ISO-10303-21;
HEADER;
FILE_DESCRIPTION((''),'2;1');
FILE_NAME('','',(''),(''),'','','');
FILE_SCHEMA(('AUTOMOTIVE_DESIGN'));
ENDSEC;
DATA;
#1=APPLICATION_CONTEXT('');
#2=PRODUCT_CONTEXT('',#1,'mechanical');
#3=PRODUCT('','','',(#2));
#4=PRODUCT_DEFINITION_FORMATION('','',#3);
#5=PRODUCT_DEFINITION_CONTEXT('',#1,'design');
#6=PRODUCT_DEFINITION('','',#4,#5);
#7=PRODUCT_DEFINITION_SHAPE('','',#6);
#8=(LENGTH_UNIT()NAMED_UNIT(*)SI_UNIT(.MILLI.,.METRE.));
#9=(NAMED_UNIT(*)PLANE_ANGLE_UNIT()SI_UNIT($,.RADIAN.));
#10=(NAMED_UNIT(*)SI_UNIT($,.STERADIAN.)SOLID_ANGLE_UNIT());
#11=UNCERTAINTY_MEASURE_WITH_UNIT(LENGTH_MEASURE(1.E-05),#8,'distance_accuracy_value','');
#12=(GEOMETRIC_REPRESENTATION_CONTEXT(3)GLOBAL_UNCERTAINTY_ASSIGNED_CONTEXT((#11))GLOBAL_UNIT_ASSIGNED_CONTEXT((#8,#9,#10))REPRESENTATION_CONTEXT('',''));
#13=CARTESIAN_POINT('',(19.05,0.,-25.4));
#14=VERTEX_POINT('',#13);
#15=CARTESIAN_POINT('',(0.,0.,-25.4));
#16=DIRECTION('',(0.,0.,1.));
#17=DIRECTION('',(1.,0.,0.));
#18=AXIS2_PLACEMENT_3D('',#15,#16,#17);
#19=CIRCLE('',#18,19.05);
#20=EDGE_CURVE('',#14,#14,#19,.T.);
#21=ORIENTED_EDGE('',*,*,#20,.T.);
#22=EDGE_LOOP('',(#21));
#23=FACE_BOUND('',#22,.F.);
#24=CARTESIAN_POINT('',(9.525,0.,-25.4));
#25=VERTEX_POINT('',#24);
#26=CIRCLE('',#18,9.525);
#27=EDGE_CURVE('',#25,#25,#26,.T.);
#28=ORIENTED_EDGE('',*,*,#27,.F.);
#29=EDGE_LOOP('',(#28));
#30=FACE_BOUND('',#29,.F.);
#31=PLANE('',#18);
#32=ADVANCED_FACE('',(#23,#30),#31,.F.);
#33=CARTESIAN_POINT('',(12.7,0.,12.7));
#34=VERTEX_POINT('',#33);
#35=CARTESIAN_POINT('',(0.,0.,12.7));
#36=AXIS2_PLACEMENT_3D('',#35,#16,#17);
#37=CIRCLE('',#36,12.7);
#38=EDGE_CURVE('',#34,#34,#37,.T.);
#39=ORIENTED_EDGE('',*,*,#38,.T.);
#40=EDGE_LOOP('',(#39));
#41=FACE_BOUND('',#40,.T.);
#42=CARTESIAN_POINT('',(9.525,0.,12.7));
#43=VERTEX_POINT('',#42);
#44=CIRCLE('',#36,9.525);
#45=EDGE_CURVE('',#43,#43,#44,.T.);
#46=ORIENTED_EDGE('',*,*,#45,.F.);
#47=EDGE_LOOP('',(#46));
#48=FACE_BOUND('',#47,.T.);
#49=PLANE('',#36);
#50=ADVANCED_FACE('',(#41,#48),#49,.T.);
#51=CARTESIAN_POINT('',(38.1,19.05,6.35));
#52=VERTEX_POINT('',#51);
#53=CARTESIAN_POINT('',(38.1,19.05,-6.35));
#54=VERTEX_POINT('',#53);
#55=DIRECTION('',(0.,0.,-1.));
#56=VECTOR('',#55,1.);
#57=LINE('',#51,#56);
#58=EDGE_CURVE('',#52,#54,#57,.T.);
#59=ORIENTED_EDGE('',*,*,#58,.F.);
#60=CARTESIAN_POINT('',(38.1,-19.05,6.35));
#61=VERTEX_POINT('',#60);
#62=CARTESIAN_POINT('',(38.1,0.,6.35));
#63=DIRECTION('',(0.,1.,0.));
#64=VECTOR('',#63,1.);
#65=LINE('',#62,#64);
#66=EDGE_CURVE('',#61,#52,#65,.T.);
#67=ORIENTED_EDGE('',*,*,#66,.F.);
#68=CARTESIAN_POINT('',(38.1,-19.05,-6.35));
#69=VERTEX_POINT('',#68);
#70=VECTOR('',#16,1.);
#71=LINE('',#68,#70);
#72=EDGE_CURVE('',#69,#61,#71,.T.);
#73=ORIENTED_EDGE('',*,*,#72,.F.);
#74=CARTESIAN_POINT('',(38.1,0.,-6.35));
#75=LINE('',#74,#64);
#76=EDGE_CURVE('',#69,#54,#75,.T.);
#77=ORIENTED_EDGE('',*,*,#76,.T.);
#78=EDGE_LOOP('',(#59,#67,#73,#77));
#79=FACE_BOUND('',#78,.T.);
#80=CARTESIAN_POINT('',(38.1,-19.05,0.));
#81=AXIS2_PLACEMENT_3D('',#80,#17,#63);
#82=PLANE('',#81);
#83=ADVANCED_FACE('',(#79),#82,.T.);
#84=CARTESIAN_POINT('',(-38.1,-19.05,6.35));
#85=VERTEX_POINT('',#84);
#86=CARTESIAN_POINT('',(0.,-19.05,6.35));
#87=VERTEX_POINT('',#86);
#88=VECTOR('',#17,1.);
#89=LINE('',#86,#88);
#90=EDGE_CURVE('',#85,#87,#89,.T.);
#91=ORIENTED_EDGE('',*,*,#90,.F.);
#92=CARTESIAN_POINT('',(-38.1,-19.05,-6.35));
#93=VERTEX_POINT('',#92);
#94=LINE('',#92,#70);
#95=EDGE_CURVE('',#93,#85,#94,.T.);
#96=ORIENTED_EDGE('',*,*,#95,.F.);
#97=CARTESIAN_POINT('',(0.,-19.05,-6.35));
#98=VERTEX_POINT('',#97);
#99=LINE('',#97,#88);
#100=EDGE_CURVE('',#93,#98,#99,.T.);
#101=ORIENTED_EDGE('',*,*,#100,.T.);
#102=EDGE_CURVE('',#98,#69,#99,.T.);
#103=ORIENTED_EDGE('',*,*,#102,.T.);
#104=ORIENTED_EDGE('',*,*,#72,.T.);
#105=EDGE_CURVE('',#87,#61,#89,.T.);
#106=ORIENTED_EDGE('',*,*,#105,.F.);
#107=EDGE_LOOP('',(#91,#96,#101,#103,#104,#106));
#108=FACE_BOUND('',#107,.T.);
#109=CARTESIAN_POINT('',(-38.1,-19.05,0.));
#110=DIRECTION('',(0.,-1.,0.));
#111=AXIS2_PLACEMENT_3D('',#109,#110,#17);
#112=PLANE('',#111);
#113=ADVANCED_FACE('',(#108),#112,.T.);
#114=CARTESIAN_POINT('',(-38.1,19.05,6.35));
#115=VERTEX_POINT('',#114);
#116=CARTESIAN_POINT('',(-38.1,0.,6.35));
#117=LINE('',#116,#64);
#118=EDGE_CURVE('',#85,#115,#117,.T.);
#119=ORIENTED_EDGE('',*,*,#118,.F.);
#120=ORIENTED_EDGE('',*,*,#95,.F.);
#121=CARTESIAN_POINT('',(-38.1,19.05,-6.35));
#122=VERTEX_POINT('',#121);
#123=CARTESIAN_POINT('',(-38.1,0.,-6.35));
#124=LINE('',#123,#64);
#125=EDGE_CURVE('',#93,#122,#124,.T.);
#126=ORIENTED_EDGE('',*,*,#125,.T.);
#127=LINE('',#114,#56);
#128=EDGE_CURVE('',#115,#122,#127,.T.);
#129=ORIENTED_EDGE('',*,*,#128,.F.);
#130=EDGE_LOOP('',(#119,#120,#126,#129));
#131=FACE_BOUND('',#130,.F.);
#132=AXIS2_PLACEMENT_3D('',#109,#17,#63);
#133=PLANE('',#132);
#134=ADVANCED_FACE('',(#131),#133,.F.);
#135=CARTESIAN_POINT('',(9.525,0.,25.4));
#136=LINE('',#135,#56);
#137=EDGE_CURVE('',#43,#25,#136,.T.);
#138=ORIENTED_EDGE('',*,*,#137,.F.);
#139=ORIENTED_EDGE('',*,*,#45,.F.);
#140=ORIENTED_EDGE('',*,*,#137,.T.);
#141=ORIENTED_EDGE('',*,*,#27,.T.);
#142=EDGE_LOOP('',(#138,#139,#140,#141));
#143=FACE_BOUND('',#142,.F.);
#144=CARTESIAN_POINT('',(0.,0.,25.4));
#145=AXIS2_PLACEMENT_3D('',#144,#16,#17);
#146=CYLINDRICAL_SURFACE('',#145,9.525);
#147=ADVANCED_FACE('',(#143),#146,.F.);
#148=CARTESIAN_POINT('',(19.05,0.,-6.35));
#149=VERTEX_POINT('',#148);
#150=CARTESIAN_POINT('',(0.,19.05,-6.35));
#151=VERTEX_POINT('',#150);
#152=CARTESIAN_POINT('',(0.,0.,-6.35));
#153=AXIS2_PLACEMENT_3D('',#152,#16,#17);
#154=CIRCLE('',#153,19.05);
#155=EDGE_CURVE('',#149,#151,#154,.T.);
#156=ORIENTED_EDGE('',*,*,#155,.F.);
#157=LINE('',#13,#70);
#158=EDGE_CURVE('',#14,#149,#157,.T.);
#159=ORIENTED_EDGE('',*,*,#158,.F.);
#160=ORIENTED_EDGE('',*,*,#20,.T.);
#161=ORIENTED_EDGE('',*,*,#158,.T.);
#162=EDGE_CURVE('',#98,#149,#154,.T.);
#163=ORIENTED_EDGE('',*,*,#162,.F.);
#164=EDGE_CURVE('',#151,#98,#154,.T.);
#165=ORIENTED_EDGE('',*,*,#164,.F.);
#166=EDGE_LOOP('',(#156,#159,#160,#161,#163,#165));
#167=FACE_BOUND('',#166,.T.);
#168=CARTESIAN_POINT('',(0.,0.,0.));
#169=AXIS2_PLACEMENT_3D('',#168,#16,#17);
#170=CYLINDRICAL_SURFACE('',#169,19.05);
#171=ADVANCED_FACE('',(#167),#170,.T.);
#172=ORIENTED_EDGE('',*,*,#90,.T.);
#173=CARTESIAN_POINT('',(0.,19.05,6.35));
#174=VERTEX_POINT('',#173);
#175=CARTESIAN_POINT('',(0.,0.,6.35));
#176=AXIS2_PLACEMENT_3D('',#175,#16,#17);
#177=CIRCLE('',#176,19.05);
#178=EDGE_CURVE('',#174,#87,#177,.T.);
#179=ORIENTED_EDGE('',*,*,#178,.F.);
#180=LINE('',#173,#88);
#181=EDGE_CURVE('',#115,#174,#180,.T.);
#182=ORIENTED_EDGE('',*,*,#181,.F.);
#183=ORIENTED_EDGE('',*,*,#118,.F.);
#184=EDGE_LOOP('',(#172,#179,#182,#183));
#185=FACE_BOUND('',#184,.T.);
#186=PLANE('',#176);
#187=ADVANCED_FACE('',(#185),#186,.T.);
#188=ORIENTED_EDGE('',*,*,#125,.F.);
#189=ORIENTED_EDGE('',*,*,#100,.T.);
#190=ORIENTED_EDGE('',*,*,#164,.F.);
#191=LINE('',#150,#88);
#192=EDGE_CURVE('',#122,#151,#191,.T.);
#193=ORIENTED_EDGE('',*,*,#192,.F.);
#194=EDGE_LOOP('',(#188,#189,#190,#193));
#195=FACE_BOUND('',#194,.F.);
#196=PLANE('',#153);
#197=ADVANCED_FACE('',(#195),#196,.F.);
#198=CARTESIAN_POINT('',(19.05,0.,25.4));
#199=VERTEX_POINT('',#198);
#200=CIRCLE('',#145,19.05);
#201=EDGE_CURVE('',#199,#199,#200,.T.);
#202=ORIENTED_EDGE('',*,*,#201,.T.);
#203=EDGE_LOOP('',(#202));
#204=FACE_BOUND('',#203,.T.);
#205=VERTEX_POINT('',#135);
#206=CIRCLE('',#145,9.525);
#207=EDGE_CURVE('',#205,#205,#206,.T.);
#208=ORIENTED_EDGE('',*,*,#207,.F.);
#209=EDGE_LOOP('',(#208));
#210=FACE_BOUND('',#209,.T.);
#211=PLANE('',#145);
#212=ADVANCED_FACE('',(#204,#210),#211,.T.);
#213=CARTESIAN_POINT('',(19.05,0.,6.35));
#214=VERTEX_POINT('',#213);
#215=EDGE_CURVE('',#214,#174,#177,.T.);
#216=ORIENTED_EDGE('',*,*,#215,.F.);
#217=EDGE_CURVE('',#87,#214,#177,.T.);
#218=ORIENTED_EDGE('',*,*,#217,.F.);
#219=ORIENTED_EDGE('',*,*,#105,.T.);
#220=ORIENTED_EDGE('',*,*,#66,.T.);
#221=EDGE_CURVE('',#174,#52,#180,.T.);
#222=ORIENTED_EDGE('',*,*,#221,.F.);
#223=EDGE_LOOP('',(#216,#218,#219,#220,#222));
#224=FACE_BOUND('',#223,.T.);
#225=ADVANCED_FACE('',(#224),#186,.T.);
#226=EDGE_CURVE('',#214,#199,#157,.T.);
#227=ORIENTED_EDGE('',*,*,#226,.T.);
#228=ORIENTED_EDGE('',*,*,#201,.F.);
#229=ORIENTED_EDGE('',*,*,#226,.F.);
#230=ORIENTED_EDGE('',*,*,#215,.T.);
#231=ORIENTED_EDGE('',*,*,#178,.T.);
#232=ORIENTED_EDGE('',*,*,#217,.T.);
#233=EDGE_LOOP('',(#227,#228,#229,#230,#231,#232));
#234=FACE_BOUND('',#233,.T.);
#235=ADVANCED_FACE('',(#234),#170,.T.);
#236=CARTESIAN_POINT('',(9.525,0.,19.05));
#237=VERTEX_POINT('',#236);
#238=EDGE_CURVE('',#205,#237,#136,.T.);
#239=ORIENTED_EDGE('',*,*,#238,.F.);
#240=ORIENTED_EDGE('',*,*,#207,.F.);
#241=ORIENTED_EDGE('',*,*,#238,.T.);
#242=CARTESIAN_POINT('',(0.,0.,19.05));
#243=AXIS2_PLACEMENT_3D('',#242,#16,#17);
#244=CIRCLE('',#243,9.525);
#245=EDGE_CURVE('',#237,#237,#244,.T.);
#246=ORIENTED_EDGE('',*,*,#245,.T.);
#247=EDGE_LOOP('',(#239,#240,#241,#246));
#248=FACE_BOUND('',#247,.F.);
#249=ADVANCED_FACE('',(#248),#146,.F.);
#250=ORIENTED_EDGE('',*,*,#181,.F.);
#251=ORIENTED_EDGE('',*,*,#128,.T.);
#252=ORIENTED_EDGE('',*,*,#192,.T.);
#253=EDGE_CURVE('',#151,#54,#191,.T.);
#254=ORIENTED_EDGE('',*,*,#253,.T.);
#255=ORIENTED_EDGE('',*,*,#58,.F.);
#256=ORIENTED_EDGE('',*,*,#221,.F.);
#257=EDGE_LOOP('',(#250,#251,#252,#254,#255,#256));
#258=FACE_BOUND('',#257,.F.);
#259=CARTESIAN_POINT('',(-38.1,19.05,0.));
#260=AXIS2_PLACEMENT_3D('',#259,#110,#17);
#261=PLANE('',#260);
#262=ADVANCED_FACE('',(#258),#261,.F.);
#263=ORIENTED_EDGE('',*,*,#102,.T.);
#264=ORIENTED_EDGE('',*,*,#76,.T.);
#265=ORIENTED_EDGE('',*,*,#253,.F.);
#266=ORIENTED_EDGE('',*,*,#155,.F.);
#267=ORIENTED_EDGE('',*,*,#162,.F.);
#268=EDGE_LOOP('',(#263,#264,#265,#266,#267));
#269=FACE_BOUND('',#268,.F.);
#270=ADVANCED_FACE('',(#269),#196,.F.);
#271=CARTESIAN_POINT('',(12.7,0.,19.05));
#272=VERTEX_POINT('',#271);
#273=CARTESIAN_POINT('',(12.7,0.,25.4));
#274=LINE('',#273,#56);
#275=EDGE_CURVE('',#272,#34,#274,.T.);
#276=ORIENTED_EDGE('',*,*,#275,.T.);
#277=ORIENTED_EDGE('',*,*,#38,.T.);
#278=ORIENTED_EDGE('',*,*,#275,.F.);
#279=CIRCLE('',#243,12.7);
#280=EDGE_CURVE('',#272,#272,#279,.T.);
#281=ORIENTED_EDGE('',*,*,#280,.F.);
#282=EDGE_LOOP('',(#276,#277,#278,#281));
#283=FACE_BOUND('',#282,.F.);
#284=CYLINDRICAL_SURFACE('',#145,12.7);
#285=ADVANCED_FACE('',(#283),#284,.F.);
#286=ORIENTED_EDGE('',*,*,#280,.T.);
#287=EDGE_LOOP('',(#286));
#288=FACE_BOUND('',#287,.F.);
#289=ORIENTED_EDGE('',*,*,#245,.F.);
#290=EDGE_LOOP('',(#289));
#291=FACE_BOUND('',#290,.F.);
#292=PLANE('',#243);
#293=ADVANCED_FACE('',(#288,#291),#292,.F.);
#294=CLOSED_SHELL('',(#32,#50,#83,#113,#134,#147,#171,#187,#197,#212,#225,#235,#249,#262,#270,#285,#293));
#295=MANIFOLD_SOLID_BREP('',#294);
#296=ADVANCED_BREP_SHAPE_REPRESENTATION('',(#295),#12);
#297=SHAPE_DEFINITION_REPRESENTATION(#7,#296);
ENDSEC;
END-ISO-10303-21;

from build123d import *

# Parameters (mm, degrees)
F0_W      = 76.2
F0_H      = 38.1
F1_DEPTH  = 6.35
F2_R      = 19.05
F3_DEPTH  = 25.4
F4_R      = 9.525
F5_DEPTH  = 50.801
F6_R      = 12.7
F7_DEPTH  = 12.7
F8_R      = 12.7
F9_DEPTH  = 6.35
F10_R     = 9.525
F11_DEPTH = 50.801


with BuildPart() as f1:
    # F0 (on Top) → F1 (new body, symmetric)
    with BuildSketch(Plane.XY):
        Rectangle(F0_W, F0_H)
    extrude(amount=F1_DEPTH, both=True)

    # F2 (on Top) → F3 (join, symmetric)
    with BuildSketch(Plane.XY):
        Circle(F2_R)
    extrude(amount=F3_DEPTH, both=True)

    # F4 (on face) → F5 (cut, through all)
    with BuildSketch(Plane.XY.offset(25.4)):
        Circle(F4_R)
    extrude(amount=-F5_DEPTH, mode=Mode.SUBTRACT)

    # F6 (on face) → F7 (cut)
    with BuildSketch(Plane.XY.offset(25.4)):
        Circle(F6_R)
    extrude(amount=-F7_DEPTH, mode=Mode.SUBTRACT)

    # F8 (on face) → F9 (join)
    with BuildSketch(Plane.XY.offset(25.4)):
        Circle(F8_R)
    extrude(amount=-F9_DEPTH)

    # F10 (on face) → F11 (cut, through all)
    with BuildSketch(Plane.XY.offset(25.4)):
        Circle(F10_R)
    extrude(amount=-F11_DEPTH, mode=Mode.SUBTRACT)


solid = f1.part
